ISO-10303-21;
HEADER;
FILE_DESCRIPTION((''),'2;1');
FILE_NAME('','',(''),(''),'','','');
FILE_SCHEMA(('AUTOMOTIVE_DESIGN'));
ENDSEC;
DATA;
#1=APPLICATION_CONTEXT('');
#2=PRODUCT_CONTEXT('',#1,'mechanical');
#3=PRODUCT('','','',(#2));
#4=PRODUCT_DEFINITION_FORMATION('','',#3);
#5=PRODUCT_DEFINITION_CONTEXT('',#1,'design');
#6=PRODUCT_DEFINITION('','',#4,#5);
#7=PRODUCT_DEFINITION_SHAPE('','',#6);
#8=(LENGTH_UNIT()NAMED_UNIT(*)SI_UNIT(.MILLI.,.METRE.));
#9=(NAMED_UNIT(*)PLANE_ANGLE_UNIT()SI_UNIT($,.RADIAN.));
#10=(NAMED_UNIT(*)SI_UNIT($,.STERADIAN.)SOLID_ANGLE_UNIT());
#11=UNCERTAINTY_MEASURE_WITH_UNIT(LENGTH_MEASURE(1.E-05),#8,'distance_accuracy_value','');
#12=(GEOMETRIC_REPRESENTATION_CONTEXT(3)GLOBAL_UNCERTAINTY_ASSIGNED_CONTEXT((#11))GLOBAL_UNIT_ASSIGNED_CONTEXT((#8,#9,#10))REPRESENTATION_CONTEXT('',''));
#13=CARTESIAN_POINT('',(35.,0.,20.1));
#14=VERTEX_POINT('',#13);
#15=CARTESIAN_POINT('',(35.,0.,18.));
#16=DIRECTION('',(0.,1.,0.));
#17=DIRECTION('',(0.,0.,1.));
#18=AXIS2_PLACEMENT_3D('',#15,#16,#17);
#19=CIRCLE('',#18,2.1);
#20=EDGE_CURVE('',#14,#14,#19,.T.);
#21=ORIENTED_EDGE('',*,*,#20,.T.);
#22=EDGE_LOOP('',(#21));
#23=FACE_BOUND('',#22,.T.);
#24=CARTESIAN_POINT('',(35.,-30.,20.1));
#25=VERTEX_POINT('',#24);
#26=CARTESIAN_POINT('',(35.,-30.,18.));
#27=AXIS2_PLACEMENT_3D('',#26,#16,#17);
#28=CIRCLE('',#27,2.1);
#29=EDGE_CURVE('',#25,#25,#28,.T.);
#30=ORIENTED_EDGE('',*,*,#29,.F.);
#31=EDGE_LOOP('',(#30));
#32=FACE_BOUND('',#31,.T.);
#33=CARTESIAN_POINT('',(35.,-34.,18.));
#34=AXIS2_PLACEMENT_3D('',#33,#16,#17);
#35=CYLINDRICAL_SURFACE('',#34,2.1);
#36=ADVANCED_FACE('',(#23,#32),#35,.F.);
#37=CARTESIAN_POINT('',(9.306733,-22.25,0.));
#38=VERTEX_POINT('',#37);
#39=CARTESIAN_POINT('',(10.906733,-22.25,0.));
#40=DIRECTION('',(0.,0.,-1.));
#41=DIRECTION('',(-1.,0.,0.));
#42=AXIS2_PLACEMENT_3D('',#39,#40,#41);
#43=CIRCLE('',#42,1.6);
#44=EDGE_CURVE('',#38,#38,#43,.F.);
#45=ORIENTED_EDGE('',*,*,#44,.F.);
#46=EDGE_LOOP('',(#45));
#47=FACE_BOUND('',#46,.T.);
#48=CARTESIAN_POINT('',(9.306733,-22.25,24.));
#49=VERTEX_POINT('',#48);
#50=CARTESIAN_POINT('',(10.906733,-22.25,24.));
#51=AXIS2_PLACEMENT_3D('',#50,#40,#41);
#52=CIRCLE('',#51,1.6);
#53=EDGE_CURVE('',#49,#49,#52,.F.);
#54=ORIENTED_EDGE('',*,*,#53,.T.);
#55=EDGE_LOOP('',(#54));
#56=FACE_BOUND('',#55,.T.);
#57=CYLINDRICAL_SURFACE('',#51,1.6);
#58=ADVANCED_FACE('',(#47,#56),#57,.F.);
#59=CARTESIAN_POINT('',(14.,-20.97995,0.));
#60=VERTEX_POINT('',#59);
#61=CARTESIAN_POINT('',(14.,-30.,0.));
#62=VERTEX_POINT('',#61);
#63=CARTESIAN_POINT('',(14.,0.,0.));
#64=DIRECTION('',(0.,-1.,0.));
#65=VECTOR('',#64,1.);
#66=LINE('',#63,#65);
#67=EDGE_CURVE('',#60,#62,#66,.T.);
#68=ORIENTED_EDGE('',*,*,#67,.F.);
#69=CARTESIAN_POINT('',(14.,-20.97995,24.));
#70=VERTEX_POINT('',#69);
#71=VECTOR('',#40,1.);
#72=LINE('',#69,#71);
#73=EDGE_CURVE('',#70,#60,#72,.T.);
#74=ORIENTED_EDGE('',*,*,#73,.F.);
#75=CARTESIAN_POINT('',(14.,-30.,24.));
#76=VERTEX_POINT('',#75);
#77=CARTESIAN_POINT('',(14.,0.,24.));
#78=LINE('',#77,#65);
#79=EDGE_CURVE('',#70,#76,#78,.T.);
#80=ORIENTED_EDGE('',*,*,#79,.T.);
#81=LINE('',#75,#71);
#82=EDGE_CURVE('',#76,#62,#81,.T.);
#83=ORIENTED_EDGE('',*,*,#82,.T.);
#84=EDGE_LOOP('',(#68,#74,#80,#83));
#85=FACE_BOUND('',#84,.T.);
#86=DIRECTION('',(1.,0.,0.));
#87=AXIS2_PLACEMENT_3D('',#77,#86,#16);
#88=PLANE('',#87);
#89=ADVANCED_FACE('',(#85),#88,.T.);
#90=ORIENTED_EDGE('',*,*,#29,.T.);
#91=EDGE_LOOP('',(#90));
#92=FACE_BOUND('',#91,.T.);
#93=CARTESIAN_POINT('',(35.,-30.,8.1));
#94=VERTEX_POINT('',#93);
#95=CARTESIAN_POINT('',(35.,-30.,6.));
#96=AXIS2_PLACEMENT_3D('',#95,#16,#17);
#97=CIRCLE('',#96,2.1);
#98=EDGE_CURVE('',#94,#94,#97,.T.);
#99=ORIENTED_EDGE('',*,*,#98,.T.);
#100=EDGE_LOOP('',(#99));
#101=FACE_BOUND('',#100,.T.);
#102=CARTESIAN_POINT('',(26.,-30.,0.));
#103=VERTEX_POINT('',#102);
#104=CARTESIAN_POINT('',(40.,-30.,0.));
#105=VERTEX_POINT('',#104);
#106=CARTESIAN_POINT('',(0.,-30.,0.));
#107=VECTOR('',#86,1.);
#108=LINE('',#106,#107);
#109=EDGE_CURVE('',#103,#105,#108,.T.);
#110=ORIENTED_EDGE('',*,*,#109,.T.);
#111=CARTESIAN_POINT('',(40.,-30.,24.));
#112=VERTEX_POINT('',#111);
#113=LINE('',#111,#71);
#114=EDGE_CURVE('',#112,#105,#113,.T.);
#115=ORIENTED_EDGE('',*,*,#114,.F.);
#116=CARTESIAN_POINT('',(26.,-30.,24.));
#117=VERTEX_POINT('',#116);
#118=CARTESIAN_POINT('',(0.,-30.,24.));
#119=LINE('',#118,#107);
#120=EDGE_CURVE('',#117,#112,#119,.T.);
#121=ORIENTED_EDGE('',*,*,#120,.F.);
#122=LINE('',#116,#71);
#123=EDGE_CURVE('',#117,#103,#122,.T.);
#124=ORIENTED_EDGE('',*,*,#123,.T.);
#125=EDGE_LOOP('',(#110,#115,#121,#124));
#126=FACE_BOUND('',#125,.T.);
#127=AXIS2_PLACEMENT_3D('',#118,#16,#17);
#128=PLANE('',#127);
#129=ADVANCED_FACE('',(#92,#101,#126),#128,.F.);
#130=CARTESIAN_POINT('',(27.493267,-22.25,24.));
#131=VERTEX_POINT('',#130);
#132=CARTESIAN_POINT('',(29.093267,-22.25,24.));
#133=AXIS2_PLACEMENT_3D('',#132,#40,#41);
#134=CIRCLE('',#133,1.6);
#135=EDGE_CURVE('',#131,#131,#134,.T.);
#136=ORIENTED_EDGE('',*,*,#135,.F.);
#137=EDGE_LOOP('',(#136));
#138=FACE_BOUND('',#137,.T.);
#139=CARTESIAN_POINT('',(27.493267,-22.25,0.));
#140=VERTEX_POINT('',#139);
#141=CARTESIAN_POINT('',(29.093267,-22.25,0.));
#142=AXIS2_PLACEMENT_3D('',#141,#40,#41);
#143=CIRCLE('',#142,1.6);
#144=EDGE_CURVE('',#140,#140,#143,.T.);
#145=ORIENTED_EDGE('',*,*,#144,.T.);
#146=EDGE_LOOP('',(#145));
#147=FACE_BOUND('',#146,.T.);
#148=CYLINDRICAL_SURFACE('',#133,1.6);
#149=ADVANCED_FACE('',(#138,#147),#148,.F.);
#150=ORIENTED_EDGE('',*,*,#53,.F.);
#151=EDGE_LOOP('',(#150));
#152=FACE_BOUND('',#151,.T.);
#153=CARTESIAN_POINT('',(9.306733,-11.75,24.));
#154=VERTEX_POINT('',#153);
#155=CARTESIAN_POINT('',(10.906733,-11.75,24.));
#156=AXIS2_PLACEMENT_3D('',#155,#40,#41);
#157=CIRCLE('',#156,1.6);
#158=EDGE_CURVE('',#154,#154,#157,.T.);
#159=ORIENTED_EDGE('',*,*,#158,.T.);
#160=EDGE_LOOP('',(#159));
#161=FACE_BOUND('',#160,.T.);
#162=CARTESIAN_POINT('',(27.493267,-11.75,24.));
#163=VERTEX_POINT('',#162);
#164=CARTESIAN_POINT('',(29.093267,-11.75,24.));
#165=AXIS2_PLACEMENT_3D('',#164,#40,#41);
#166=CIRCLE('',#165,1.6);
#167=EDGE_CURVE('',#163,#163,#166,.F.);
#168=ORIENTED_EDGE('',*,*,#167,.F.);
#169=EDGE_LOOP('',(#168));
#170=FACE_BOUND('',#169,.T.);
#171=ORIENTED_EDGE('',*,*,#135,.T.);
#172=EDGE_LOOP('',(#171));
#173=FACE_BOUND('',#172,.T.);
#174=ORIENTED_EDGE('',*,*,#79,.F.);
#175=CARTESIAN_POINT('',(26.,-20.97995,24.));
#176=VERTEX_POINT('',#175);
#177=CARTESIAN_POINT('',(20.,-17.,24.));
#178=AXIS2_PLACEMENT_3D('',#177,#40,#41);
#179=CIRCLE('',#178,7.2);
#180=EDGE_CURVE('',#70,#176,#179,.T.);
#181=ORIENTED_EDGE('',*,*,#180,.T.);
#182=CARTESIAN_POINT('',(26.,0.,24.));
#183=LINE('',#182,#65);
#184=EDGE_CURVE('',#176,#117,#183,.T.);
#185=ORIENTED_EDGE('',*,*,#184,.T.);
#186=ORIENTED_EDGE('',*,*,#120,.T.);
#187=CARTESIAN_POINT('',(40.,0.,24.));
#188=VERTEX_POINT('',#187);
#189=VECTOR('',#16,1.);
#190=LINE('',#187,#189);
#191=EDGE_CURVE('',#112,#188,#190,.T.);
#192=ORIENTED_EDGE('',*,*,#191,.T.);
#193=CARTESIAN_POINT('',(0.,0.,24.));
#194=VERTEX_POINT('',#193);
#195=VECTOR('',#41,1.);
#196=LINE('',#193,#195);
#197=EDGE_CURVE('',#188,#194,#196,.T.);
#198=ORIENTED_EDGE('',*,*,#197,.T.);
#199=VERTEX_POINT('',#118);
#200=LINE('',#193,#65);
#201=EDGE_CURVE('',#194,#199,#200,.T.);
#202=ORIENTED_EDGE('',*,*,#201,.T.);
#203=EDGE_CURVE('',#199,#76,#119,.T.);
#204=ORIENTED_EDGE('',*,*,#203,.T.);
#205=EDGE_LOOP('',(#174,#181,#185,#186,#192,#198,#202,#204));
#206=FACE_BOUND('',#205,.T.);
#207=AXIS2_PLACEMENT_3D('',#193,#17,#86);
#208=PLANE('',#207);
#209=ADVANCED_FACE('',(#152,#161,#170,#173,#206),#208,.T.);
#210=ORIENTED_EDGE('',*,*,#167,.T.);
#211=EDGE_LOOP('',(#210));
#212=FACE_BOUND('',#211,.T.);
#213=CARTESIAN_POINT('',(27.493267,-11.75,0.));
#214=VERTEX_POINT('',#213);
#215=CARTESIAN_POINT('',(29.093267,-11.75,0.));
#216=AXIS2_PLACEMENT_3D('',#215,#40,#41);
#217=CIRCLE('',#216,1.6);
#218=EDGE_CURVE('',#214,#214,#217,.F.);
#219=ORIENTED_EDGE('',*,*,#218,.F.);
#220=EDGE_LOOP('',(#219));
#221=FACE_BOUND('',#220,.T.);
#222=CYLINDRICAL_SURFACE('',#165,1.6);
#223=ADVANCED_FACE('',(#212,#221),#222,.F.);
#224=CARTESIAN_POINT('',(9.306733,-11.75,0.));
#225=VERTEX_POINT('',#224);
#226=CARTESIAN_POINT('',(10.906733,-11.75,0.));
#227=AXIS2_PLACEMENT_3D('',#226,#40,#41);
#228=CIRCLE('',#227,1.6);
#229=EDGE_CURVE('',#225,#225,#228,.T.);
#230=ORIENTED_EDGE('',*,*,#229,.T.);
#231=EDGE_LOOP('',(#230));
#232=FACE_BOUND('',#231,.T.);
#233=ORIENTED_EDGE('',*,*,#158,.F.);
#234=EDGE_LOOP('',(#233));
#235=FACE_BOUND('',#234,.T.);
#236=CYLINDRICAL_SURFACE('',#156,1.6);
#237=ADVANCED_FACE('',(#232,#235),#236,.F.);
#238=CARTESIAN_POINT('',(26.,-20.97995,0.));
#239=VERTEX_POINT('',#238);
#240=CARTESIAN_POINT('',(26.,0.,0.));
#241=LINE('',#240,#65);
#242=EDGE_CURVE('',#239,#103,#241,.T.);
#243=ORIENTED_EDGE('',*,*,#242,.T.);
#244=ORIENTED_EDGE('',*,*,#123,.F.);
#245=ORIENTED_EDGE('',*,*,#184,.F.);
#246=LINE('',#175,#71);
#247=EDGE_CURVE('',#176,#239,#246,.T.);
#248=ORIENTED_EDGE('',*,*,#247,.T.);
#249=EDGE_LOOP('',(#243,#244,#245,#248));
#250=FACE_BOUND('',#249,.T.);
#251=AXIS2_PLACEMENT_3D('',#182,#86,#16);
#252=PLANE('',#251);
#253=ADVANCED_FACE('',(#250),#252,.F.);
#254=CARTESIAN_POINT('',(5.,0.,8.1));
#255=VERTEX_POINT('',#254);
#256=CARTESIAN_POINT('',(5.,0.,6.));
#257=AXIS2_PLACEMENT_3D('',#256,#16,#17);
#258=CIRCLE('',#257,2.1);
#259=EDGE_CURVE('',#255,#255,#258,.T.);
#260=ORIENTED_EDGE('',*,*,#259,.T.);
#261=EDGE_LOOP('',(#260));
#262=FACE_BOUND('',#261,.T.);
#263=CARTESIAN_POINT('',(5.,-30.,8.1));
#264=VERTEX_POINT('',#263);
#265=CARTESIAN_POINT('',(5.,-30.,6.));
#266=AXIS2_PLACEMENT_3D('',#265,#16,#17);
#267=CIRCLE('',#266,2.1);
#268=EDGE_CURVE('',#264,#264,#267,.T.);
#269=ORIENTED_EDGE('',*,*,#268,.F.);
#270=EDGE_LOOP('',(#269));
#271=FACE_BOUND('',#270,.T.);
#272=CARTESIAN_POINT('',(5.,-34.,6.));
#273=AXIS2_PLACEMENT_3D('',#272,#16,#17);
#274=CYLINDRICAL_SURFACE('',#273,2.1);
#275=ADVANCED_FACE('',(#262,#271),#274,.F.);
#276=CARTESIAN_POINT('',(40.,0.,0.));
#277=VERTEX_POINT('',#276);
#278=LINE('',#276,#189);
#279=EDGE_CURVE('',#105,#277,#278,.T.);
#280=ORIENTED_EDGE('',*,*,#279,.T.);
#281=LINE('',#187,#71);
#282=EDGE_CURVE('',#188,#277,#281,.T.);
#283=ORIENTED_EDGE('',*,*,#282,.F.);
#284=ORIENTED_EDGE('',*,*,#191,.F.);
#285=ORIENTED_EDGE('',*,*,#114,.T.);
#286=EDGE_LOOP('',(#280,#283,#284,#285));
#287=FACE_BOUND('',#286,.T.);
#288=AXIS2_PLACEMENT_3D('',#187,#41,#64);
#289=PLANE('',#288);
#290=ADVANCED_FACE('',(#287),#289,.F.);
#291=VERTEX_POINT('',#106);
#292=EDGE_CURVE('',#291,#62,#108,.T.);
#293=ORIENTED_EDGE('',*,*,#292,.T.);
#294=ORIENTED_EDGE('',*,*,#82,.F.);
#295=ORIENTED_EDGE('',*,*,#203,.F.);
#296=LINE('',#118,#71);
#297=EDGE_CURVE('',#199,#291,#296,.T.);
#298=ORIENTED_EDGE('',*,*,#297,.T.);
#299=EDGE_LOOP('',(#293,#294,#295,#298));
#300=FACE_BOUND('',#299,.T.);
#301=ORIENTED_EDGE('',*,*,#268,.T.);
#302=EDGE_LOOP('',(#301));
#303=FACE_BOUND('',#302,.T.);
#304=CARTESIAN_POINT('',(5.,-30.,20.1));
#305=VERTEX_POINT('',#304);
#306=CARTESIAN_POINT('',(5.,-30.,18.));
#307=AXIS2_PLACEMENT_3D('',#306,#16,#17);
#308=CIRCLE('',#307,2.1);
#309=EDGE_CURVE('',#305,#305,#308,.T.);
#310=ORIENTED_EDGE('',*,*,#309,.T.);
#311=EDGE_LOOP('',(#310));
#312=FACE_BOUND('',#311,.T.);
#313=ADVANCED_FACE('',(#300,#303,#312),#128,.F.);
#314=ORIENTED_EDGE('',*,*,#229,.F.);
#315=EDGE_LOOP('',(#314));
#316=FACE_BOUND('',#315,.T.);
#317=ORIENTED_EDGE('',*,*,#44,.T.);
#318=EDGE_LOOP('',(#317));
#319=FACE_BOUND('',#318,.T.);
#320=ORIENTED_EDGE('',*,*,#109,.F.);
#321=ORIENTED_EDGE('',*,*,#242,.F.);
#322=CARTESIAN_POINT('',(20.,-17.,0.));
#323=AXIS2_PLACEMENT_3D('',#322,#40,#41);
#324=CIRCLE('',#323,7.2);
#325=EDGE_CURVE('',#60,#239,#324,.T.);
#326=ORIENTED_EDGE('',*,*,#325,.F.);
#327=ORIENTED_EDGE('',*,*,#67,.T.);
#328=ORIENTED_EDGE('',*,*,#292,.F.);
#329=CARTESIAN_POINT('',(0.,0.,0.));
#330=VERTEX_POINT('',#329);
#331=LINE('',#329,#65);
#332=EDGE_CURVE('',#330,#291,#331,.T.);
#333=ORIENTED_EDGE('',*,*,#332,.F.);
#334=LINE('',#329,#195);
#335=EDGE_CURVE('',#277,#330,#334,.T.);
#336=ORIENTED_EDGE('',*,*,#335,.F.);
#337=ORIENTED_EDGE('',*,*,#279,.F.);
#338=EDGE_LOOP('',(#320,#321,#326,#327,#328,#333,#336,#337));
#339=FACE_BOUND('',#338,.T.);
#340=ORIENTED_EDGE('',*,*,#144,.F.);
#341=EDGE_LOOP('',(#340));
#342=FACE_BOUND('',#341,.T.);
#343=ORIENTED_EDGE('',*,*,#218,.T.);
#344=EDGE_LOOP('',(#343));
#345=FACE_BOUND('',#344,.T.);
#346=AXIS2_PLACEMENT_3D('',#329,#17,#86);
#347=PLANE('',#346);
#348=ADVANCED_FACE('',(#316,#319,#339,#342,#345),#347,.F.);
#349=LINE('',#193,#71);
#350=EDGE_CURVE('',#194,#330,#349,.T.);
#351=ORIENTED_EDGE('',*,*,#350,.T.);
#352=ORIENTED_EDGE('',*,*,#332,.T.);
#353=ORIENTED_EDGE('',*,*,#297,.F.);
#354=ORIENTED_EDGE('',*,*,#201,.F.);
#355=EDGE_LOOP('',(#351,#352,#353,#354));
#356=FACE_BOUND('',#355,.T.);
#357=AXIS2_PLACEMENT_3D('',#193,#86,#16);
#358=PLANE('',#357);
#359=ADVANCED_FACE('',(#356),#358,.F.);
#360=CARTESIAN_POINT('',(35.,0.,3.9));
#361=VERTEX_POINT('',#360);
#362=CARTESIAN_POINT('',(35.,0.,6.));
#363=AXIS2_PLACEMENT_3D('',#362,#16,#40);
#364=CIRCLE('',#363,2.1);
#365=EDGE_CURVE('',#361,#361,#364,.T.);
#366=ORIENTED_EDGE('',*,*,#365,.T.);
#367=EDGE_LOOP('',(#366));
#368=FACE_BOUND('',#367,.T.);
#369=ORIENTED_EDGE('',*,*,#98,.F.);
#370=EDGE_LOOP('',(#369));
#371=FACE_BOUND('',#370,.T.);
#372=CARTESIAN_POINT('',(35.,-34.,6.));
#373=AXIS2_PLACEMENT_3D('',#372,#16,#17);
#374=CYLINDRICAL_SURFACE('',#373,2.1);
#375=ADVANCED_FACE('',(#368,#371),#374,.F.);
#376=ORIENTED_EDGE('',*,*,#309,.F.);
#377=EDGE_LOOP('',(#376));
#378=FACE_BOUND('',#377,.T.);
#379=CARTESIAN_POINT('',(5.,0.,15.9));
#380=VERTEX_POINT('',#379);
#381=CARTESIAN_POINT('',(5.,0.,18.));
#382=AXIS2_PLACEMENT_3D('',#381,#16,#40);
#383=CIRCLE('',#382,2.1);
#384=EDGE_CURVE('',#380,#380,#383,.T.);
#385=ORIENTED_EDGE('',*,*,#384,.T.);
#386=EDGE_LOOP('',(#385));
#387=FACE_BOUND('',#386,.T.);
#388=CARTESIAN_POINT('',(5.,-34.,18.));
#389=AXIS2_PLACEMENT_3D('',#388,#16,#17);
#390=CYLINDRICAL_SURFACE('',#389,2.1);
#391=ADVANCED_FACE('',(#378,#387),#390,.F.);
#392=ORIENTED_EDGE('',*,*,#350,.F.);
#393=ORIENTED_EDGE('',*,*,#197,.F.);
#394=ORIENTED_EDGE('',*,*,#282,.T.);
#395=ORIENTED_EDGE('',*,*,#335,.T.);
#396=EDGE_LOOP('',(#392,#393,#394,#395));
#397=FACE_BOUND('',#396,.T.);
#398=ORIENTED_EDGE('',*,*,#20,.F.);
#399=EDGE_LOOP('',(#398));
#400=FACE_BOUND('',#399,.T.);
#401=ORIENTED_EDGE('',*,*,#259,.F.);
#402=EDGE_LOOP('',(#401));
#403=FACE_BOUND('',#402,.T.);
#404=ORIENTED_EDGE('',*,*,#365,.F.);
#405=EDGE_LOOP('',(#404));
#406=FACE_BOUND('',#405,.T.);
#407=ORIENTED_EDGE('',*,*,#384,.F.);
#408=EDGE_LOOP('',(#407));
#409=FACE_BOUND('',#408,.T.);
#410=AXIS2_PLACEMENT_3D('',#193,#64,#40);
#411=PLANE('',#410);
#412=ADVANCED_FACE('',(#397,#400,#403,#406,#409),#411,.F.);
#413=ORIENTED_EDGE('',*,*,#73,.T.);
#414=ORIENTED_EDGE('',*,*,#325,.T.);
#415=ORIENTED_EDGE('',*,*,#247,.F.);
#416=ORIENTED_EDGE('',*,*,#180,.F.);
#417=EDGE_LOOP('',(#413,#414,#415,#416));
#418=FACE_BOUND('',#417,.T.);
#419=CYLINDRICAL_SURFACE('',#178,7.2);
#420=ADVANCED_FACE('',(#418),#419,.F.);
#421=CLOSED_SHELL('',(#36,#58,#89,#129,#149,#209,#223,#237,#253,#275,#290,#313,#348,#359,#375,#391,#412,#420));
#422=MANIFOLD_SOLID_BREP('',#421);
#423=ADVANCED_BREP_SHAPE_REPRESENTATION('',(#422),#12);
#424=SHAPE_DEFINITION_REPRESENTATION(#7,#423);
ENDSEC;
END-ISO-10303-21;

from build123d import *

# Parameters (mm, degrees)
SKETCH_1_W          = 40
SKETCH_1_H          = 30
EXTRUDE_1_DEPTH     = 24
SKETCH_2_R          = 1.6
CUT_EXTRUDE_1_DEPTH = 24
SKETCH_3_R          = 2.1
CUT_EXTRUDE_2_DEPTH = 34


with BuildPart() as part:
    # 草图1 → 凸台-拉伸1 (new body)
    with BuildSketch(Plane.XY):
        with Locations((20, -15)):
            Rectangle(SKETCH_1_W, SKETCH_1_H)
    extrude(amount=EXTRUDE_1_DEPTH)

    # 草图2 → 切除-拉伸1 (cut)
    with BuildSketch(Plane(origin=(0, 0, 0), x_dir=(-1, 0, 0), z_dir=(0, 0, -1))):
        with BuildLine():
            ThreePointArc((-14, -20.979949748), (-20, -9.8), (-26, -20.979949748))
            Line((-26, -20.979949748), (-26, -30))
            Line((-26, -30), (-20, -30))
            Line((-20, -30), (-14, -30))
            Line((-14, -30), (-14, -20.979949748))
        make_face()
        with Locations((-10.90673326, -11.75)):
            Circle(SKETCH_2_R)
        with Locations((-10.90673326, -22.25)):
            Circle(SKETCH_2_R)
        with Locations((-29.09326674, -22.25)):
            Circle(SKETCH_2_R)
        with Locations((-29.09326674, -11.75)):
            Circle(SKETCH_2_R)
    extrude(amount=-CUT_EXTRUDE_1_DEPTH, mode=Mode.SUBTRACT)

    # 草图3 → 切除-拉伸2 (cut)
    with BuildSketch(Plane(origin=(0, 0, 0), x_dir=(1, 0, 0), z_dir=(0, 1, 0))):
        with Locations(Location((5, -6, 0), (0, 0, 270))):
            Circle(SKETCH_3_R)
        with Locations(Location((35, -6, 0), (0, 0, 270))):
            Circle(SKETCH_3_R)
        with Locations(Location((5, -18, 0), (0, 0, 270))):
            Circle(SKETCH_3_R)
        with Locations(Location((35, -18, 0), (0, 0, 270))):
            Circle(SKETCH_3_R)
    extrude(amount=-CUT_EXTRUDE_2_DEPTH, mode=Mode.SUBTRACT)


solid = part.part
